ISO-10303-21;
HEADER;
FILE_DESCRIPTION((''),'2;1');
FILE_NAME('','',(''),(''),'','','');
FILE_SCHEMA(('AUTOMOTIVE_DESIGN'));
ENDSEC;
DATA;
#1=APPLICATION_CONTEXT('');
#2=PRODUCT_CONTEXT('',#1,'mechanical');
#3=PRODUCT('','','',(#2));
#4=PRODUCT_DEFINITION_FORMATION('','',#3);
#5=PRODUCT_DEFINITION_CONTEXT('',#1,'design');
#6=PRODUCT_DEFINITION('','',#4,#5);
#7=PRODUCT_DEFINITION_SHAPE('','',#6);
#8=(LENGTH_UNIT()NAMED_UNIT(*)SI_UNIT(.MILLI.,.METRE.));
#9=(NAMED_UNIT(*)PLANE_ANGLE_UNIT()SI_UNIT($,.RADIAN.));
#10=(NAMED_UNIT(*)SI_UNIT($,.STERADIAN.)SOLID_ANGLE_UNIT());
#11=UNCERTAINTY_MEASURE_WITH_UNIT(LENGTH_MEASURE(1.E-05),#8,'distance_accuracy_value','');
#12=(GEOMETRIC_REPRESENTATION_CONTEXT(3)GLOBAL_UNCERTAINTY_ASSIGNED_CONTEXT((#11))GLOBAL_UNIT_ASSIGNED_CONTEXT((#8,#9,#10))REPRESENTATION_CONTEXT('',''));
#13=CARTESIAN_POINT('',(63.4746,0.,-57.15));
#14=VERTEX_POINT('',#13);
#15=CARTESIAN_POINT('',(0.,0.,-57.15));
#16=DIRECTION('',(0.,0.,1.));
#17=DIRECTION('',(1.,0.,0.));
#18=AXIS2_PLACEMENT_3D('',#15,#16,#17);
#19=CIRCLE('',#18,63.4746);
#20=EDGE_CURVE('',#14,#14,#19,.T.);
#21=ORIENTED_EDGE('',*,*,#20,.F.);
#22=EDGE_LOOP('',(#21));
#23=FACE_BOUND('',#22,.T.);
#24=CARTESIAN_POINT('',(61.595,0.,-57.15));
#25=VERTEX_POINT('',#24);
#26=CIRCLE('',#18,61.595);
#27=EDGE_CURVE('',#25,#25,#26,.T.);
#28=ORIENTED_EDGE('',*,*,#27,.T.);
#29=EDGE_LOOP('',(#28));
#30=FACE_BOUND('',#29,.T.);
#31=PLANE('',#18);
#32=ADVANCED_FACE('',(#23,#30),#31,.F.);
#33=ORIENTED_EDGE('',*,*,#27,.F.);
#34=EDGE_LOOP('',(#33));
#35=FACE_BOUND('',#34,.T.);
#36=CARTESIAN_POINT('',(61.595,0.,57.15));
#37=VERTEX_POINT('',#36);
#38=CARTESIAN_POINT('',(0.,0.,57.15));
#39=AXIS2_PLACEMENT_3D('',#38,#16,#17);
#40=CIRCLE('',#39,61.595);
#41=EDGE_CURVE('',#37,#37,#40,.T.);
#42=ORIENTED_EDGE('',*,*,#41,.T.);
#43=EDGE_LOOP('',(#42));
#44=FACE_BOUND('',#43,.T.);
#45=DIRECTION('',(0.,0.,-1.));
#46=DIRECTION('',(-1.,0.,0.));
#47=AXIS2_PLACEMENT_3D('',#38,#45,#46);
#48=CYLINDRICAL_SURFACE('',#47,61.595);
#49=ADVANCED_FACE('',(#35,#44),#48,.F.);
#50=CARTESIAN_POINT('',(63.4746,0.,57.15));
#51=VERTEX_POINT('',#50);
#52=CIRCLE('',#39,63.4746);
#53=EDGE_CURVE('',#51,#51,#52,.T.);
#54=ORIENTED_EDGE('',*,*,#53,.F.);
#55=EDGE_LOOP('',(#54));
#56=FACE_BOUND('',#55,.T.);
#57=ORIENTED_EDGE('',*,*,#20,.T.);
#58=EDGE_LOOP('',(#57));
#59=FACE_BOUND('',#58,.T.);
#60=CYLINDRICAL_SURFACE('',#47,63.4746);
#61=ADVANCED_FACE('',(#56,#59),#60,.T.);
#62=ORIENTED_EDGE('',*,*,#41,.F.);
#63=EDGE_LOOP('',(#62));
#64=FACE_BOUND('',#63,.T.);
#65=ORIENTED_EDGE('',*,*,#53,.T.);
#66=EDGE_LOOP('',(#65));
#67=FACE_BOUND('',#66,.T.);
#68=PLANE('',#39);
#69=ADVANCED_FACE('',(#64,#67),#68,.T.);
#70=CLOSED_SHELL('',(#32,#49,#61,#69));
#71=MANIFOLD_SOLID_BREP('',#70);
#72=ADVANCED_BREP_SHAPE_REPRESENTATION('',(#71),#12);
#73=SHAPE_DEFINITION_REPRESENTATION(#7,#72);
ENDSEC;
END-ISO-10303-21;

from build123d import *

# Parameters (mm, degrees)
SKETCH1_R           = 63.4746
SKETCH1_R_2         = 61.595
BOSS_EXTRUDE1_DEPTH = 57.15


with BuildPart() as part:
    # Sketch1 → Boss-Extrude1 (new body, symmetric)
    with BuildSketch(Plane.XY):
        Circle(SKETCH1_R)
        Circle(SKETCH1_R_2, mode=Mode.SUBTRACT)
    extrude(amount=BOSS_EXTRUDE1_DEPTH, both=True)


solid = part.part
